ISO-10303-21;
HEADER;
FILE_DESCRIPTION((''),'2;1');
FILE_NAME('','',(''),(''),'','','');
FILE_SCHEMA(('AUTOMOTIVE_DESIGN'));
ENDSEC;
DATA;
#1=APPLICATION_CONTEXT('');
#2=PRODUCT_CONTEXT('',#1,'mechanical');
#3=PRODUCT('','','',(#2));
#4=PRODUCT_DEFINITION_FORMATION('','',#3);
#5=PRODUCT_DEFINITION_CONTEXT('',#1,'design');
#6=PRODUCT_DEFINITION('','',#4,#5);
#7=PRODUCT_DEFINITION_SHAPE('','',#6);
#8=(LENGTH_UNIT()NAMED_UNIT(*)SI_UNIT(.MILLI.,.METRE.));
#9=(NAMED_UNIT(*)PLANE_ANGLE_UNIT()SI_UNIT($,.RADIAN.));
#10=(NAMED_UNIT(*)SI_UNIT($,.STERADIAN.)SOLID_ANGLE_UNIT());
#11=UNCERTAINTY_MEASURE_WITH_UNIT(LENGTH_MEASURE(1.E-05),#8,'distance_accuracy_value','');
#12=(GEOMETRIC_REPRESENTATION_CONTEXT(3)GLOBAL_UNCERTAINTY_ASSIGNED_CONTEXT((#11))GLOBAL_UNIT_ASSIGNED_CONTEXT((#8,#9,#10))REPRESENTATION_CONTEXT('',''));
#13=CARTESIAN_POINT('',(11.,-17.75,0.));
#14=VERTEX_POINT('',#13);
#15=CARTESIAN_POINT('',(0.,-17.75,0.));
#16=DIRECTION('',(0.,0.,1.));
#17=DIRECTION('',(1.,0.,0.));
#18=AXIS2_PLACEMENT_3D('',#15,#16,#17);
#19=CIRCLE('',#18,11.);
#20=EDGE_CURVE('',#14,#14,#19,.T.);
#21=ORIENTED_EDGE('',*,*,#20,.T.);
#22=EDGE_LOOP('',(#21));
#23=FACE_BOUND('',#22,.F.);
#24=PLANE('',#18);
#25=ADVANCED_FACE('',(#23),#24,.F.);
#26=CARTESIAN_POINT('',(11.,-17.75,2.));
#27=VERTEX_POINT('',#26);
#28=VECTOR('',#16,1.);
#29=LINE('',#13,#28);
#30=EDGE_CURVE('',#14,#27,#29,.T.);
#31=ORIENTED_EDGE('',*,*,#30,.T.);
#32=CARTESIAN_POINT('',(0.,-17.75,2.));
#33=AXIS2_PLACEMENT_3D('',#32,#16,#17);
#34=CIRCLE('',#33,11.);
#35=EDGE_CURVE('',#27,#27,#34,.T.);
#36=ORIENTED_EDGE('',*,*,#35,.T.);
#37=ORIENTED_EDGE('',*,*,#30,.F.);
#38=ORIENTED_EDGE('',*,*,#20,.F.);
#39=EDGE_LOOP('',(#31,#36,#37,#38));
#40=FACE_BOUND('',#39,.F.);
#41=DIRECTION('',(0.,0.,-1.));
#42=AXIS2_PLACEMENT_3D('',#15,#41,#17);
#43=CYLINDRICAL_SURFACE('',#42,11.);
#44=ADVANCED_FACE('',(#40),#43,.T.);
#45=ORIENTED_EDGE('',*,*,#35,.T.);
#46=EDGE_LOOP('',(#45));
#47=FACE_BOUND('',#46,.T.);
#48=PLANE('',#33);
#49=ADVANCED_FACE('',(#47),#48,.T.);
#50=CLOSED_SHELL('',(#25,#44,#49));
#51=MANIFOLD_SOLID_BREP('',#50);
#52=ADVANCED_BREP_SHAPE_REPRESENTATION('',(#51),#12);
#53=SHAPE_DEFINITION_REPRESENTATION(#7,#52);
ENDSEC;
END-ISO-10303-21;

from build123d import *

# Parameters (mm, degrees)
SKETCH1_R           = 11
BOSS_EXTRUDE1_DEPTH = 2


with BuildPart() as part:
    # Sketch1 → Boss-Extrude1 (new body)
    with BuildSketch(Plane.XY):
        with Locations((0, -17.75)):
            Circle(SKETCH1_R)
    extrude(amount=BOSS_EXTRUDE1_DEPTH)


solid = part.part
